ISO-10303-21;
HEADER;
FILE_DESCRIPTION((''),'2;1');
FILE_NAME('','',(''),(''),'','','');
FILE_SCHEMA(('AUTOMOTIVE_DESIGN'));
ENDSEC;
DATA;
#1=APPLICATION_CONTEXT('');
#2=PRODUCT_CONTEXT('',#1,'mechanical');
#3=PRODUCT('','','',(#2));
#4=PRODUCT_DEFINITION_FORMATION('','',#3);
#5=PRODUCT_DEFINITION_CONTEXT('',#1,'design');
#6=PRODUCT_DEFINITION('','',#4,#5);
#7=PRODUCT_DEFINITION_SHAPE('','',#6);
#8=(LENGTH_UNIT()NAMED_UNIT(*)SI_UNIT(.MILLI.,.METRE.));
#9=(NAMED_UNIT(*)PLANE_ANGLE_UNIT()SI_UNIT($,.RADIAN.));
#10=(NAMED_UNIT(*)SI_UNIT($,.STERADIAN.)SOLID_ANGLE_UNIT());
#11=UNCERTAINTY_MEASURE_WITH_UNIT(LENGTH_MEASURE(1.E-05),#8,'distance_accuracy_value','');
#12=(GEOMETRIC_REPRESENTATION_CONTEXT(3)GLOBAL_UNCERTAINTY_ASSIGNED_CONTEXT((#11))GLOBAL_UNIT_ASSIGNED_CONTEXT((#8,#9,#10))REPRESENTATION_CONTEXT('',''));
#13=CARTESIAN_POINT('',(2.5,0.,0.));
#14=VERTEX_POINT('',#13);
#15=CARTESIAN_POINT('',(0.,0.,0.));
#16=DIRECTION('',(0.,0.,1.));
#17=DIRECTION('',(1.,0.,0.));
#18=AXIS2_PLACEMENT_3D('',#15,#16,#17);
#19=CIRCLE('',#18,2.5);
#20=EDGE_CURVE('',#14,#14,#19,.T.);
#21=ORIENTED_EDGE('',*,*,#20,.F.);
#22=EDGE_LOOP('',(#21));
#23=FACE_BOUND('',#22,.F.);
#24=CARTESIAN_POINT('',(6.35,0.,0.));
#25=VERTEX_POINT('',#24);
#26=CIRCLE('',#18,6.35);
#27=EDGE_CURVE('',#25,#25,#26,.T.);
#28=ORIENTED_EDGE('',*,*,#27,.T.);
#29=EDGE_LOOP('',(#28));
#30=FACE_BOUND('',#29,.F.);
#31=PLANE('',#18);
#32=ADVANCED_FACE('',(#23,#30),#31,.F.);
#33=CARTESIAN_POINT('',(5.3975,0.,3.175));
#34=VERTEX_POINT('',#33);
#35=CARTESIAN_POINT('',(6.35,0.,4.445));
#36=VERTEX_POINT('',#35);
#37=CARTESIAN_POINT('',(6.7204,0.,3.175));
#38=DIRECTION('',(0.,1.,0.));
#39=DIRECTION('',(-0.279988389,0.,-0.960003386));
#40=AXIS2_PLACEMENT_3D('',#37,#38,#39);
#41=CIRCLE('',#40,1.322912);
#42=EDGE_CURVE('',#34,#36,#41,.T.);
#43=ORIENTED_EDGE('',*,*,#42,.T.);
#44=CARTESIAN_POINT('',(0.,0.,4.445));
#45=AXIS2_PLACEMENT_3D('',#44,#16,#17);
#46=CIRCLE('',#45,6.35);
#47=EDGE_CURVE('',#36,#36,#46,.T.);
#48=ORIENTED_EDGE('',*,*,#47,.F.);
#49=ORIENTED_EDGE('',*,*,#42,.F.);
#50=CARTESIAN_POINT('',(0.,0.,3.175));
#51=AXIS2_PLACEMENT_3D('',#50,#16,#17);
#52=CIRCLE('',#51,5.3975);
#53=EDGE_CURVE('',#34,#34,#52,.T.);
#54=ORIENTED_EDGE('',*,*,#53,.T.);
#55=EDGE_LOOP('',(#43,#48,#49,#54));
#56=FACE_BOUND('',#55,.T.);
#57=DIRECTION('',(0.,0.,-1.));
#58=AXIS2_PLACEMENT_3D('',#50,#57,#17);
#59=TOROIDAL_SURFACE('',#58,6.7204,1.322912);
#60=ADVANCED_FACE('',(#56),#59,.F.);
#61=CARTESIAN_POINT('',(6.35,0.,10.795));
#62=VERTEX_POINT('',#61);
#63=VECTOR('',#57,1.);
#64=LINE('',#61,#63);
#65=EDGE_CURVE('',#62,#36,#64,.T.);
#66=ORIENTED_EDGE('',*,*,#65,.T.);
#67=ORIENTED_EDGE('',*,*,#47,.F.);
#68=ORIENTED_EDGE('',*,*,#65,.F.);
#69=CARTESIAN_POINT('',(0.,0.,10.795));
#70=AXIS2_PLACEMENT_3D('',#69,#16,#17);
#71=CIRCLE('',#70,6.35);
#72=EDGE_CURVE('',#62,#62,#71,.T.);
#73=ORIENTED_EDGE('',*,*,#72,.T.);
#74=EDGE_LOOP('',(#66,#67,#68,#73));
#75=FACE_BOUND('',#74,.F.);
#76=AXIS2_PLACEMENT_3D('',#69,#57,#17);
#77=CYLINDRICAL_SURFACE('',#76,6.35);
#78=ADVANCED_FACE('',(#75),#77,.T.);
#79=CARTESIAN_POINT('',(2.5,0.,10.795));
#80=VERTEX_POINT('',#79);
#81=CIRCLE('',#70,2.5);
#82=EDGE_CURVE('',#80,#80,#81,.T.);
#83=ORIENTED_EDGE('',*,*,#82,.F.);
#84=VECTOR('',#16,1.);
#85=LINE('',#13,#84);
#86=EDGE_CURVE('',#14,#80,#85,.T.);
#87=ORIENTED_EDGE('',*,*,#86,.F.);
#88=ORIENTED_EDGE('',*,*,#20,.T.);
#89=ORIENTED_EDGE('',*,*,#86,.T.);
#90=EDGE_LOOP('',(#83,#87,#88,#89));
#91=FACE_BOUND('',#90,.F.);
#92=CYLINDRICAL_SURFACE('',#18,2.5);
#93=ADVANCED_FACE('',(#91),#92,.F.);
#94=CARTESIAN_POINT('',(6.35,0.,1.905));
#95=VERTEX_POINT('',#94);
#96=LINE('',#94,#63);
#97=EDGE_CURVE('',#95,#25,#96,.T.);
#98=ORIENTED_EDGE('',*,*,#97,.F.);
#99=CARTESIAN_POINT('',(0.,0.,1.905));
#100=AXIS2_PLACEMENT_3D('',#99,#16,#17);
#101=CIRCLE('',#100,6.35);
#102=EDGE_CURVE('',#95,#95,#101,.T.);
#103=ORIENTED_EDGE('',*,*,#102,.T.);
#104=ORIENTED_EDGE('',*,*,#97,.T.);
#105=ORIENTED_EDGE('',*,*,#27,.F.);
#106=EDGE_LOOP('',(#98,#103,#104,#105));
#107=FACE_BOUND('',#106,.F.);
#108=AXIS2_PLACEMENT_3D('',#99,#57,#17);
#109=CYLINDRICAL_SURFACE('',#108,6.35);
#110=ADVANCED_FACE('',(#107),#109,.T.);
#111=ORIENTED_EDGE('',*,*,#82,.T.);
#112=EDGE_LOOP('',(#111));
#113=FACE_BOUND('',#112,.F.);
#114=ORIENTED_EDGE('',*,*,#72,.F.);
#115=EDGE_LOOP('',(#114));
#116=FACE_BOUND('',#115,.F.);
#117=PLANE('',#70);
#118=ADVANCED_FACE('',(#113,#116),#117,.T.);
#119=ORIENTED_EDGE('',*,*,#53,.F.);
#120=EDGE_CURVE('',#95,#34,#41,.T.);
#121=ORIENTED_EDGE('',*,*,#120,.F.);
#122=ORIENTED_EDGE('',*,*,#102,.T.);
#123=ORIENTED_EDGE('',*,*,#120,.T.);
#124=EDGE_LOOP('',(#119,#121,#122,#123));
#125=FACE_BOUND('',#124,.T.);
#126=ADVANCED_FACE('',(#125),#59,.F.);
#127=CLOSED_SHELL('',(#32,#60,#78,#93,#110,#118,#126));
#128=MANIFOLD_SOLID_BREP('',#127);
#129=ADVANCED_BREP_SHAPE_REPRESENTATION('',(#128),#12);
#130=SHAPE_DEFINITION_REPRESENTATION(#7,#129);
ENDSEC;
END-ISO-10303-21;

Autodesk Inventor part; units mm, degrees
ref_plane "YZ Plane" through (0, 0, 0) normal (1, 0, 0) x (0, 1, 0)
ref_plane "XZ Plane" through (0, 0, 0) normal (0, 1, 0) x (-1, 0, 0)
ref_plane "XY Plane" through (0, 0, 0) normal (0, 0, 1) x (1, 0, 0)
sketch "Sketch1" plane through (0, 0, 0) normal (0, 1, 0) x (-1, 0, 0)
  line L0 (-2.5, 0) -> (-2.5, 10.795)
  line L1 (-2.5, 10.795) -> (-6.35, 10.795)
  line L2 (-6.35, 10.795) -> (-6.35, 4.445)
  arc A0 (-6.35, 1.905) -> (-6.35, 4.445) centre (-6.7204, 3.175) ccw
  line L3 (-6.35, 1.905) -> (-6.35, 0)
  line L4 (-6.35, 0) -> (-2.5, 0)
  line L5 (-6.7204, 3.175) -> (-5.3975, 3.175)
  line L6 (0, -2.159) -> (0, 12.954) projected
  point P0 (0, 0)
  dimension "d0" = 2.5
  dimension "d1" = 6.35
  dimension "d2" = 5.3975
  dimension "d3" = 10.795
  dimension "d4" = 7.62
  dimension "d5" = 2.54
revolve "Revolution1" add sketch "Sketch1" angle 360 about axis through (0, 0, -10) along (0, 0, 1)
properties part number "HOBBED PULLEY"
